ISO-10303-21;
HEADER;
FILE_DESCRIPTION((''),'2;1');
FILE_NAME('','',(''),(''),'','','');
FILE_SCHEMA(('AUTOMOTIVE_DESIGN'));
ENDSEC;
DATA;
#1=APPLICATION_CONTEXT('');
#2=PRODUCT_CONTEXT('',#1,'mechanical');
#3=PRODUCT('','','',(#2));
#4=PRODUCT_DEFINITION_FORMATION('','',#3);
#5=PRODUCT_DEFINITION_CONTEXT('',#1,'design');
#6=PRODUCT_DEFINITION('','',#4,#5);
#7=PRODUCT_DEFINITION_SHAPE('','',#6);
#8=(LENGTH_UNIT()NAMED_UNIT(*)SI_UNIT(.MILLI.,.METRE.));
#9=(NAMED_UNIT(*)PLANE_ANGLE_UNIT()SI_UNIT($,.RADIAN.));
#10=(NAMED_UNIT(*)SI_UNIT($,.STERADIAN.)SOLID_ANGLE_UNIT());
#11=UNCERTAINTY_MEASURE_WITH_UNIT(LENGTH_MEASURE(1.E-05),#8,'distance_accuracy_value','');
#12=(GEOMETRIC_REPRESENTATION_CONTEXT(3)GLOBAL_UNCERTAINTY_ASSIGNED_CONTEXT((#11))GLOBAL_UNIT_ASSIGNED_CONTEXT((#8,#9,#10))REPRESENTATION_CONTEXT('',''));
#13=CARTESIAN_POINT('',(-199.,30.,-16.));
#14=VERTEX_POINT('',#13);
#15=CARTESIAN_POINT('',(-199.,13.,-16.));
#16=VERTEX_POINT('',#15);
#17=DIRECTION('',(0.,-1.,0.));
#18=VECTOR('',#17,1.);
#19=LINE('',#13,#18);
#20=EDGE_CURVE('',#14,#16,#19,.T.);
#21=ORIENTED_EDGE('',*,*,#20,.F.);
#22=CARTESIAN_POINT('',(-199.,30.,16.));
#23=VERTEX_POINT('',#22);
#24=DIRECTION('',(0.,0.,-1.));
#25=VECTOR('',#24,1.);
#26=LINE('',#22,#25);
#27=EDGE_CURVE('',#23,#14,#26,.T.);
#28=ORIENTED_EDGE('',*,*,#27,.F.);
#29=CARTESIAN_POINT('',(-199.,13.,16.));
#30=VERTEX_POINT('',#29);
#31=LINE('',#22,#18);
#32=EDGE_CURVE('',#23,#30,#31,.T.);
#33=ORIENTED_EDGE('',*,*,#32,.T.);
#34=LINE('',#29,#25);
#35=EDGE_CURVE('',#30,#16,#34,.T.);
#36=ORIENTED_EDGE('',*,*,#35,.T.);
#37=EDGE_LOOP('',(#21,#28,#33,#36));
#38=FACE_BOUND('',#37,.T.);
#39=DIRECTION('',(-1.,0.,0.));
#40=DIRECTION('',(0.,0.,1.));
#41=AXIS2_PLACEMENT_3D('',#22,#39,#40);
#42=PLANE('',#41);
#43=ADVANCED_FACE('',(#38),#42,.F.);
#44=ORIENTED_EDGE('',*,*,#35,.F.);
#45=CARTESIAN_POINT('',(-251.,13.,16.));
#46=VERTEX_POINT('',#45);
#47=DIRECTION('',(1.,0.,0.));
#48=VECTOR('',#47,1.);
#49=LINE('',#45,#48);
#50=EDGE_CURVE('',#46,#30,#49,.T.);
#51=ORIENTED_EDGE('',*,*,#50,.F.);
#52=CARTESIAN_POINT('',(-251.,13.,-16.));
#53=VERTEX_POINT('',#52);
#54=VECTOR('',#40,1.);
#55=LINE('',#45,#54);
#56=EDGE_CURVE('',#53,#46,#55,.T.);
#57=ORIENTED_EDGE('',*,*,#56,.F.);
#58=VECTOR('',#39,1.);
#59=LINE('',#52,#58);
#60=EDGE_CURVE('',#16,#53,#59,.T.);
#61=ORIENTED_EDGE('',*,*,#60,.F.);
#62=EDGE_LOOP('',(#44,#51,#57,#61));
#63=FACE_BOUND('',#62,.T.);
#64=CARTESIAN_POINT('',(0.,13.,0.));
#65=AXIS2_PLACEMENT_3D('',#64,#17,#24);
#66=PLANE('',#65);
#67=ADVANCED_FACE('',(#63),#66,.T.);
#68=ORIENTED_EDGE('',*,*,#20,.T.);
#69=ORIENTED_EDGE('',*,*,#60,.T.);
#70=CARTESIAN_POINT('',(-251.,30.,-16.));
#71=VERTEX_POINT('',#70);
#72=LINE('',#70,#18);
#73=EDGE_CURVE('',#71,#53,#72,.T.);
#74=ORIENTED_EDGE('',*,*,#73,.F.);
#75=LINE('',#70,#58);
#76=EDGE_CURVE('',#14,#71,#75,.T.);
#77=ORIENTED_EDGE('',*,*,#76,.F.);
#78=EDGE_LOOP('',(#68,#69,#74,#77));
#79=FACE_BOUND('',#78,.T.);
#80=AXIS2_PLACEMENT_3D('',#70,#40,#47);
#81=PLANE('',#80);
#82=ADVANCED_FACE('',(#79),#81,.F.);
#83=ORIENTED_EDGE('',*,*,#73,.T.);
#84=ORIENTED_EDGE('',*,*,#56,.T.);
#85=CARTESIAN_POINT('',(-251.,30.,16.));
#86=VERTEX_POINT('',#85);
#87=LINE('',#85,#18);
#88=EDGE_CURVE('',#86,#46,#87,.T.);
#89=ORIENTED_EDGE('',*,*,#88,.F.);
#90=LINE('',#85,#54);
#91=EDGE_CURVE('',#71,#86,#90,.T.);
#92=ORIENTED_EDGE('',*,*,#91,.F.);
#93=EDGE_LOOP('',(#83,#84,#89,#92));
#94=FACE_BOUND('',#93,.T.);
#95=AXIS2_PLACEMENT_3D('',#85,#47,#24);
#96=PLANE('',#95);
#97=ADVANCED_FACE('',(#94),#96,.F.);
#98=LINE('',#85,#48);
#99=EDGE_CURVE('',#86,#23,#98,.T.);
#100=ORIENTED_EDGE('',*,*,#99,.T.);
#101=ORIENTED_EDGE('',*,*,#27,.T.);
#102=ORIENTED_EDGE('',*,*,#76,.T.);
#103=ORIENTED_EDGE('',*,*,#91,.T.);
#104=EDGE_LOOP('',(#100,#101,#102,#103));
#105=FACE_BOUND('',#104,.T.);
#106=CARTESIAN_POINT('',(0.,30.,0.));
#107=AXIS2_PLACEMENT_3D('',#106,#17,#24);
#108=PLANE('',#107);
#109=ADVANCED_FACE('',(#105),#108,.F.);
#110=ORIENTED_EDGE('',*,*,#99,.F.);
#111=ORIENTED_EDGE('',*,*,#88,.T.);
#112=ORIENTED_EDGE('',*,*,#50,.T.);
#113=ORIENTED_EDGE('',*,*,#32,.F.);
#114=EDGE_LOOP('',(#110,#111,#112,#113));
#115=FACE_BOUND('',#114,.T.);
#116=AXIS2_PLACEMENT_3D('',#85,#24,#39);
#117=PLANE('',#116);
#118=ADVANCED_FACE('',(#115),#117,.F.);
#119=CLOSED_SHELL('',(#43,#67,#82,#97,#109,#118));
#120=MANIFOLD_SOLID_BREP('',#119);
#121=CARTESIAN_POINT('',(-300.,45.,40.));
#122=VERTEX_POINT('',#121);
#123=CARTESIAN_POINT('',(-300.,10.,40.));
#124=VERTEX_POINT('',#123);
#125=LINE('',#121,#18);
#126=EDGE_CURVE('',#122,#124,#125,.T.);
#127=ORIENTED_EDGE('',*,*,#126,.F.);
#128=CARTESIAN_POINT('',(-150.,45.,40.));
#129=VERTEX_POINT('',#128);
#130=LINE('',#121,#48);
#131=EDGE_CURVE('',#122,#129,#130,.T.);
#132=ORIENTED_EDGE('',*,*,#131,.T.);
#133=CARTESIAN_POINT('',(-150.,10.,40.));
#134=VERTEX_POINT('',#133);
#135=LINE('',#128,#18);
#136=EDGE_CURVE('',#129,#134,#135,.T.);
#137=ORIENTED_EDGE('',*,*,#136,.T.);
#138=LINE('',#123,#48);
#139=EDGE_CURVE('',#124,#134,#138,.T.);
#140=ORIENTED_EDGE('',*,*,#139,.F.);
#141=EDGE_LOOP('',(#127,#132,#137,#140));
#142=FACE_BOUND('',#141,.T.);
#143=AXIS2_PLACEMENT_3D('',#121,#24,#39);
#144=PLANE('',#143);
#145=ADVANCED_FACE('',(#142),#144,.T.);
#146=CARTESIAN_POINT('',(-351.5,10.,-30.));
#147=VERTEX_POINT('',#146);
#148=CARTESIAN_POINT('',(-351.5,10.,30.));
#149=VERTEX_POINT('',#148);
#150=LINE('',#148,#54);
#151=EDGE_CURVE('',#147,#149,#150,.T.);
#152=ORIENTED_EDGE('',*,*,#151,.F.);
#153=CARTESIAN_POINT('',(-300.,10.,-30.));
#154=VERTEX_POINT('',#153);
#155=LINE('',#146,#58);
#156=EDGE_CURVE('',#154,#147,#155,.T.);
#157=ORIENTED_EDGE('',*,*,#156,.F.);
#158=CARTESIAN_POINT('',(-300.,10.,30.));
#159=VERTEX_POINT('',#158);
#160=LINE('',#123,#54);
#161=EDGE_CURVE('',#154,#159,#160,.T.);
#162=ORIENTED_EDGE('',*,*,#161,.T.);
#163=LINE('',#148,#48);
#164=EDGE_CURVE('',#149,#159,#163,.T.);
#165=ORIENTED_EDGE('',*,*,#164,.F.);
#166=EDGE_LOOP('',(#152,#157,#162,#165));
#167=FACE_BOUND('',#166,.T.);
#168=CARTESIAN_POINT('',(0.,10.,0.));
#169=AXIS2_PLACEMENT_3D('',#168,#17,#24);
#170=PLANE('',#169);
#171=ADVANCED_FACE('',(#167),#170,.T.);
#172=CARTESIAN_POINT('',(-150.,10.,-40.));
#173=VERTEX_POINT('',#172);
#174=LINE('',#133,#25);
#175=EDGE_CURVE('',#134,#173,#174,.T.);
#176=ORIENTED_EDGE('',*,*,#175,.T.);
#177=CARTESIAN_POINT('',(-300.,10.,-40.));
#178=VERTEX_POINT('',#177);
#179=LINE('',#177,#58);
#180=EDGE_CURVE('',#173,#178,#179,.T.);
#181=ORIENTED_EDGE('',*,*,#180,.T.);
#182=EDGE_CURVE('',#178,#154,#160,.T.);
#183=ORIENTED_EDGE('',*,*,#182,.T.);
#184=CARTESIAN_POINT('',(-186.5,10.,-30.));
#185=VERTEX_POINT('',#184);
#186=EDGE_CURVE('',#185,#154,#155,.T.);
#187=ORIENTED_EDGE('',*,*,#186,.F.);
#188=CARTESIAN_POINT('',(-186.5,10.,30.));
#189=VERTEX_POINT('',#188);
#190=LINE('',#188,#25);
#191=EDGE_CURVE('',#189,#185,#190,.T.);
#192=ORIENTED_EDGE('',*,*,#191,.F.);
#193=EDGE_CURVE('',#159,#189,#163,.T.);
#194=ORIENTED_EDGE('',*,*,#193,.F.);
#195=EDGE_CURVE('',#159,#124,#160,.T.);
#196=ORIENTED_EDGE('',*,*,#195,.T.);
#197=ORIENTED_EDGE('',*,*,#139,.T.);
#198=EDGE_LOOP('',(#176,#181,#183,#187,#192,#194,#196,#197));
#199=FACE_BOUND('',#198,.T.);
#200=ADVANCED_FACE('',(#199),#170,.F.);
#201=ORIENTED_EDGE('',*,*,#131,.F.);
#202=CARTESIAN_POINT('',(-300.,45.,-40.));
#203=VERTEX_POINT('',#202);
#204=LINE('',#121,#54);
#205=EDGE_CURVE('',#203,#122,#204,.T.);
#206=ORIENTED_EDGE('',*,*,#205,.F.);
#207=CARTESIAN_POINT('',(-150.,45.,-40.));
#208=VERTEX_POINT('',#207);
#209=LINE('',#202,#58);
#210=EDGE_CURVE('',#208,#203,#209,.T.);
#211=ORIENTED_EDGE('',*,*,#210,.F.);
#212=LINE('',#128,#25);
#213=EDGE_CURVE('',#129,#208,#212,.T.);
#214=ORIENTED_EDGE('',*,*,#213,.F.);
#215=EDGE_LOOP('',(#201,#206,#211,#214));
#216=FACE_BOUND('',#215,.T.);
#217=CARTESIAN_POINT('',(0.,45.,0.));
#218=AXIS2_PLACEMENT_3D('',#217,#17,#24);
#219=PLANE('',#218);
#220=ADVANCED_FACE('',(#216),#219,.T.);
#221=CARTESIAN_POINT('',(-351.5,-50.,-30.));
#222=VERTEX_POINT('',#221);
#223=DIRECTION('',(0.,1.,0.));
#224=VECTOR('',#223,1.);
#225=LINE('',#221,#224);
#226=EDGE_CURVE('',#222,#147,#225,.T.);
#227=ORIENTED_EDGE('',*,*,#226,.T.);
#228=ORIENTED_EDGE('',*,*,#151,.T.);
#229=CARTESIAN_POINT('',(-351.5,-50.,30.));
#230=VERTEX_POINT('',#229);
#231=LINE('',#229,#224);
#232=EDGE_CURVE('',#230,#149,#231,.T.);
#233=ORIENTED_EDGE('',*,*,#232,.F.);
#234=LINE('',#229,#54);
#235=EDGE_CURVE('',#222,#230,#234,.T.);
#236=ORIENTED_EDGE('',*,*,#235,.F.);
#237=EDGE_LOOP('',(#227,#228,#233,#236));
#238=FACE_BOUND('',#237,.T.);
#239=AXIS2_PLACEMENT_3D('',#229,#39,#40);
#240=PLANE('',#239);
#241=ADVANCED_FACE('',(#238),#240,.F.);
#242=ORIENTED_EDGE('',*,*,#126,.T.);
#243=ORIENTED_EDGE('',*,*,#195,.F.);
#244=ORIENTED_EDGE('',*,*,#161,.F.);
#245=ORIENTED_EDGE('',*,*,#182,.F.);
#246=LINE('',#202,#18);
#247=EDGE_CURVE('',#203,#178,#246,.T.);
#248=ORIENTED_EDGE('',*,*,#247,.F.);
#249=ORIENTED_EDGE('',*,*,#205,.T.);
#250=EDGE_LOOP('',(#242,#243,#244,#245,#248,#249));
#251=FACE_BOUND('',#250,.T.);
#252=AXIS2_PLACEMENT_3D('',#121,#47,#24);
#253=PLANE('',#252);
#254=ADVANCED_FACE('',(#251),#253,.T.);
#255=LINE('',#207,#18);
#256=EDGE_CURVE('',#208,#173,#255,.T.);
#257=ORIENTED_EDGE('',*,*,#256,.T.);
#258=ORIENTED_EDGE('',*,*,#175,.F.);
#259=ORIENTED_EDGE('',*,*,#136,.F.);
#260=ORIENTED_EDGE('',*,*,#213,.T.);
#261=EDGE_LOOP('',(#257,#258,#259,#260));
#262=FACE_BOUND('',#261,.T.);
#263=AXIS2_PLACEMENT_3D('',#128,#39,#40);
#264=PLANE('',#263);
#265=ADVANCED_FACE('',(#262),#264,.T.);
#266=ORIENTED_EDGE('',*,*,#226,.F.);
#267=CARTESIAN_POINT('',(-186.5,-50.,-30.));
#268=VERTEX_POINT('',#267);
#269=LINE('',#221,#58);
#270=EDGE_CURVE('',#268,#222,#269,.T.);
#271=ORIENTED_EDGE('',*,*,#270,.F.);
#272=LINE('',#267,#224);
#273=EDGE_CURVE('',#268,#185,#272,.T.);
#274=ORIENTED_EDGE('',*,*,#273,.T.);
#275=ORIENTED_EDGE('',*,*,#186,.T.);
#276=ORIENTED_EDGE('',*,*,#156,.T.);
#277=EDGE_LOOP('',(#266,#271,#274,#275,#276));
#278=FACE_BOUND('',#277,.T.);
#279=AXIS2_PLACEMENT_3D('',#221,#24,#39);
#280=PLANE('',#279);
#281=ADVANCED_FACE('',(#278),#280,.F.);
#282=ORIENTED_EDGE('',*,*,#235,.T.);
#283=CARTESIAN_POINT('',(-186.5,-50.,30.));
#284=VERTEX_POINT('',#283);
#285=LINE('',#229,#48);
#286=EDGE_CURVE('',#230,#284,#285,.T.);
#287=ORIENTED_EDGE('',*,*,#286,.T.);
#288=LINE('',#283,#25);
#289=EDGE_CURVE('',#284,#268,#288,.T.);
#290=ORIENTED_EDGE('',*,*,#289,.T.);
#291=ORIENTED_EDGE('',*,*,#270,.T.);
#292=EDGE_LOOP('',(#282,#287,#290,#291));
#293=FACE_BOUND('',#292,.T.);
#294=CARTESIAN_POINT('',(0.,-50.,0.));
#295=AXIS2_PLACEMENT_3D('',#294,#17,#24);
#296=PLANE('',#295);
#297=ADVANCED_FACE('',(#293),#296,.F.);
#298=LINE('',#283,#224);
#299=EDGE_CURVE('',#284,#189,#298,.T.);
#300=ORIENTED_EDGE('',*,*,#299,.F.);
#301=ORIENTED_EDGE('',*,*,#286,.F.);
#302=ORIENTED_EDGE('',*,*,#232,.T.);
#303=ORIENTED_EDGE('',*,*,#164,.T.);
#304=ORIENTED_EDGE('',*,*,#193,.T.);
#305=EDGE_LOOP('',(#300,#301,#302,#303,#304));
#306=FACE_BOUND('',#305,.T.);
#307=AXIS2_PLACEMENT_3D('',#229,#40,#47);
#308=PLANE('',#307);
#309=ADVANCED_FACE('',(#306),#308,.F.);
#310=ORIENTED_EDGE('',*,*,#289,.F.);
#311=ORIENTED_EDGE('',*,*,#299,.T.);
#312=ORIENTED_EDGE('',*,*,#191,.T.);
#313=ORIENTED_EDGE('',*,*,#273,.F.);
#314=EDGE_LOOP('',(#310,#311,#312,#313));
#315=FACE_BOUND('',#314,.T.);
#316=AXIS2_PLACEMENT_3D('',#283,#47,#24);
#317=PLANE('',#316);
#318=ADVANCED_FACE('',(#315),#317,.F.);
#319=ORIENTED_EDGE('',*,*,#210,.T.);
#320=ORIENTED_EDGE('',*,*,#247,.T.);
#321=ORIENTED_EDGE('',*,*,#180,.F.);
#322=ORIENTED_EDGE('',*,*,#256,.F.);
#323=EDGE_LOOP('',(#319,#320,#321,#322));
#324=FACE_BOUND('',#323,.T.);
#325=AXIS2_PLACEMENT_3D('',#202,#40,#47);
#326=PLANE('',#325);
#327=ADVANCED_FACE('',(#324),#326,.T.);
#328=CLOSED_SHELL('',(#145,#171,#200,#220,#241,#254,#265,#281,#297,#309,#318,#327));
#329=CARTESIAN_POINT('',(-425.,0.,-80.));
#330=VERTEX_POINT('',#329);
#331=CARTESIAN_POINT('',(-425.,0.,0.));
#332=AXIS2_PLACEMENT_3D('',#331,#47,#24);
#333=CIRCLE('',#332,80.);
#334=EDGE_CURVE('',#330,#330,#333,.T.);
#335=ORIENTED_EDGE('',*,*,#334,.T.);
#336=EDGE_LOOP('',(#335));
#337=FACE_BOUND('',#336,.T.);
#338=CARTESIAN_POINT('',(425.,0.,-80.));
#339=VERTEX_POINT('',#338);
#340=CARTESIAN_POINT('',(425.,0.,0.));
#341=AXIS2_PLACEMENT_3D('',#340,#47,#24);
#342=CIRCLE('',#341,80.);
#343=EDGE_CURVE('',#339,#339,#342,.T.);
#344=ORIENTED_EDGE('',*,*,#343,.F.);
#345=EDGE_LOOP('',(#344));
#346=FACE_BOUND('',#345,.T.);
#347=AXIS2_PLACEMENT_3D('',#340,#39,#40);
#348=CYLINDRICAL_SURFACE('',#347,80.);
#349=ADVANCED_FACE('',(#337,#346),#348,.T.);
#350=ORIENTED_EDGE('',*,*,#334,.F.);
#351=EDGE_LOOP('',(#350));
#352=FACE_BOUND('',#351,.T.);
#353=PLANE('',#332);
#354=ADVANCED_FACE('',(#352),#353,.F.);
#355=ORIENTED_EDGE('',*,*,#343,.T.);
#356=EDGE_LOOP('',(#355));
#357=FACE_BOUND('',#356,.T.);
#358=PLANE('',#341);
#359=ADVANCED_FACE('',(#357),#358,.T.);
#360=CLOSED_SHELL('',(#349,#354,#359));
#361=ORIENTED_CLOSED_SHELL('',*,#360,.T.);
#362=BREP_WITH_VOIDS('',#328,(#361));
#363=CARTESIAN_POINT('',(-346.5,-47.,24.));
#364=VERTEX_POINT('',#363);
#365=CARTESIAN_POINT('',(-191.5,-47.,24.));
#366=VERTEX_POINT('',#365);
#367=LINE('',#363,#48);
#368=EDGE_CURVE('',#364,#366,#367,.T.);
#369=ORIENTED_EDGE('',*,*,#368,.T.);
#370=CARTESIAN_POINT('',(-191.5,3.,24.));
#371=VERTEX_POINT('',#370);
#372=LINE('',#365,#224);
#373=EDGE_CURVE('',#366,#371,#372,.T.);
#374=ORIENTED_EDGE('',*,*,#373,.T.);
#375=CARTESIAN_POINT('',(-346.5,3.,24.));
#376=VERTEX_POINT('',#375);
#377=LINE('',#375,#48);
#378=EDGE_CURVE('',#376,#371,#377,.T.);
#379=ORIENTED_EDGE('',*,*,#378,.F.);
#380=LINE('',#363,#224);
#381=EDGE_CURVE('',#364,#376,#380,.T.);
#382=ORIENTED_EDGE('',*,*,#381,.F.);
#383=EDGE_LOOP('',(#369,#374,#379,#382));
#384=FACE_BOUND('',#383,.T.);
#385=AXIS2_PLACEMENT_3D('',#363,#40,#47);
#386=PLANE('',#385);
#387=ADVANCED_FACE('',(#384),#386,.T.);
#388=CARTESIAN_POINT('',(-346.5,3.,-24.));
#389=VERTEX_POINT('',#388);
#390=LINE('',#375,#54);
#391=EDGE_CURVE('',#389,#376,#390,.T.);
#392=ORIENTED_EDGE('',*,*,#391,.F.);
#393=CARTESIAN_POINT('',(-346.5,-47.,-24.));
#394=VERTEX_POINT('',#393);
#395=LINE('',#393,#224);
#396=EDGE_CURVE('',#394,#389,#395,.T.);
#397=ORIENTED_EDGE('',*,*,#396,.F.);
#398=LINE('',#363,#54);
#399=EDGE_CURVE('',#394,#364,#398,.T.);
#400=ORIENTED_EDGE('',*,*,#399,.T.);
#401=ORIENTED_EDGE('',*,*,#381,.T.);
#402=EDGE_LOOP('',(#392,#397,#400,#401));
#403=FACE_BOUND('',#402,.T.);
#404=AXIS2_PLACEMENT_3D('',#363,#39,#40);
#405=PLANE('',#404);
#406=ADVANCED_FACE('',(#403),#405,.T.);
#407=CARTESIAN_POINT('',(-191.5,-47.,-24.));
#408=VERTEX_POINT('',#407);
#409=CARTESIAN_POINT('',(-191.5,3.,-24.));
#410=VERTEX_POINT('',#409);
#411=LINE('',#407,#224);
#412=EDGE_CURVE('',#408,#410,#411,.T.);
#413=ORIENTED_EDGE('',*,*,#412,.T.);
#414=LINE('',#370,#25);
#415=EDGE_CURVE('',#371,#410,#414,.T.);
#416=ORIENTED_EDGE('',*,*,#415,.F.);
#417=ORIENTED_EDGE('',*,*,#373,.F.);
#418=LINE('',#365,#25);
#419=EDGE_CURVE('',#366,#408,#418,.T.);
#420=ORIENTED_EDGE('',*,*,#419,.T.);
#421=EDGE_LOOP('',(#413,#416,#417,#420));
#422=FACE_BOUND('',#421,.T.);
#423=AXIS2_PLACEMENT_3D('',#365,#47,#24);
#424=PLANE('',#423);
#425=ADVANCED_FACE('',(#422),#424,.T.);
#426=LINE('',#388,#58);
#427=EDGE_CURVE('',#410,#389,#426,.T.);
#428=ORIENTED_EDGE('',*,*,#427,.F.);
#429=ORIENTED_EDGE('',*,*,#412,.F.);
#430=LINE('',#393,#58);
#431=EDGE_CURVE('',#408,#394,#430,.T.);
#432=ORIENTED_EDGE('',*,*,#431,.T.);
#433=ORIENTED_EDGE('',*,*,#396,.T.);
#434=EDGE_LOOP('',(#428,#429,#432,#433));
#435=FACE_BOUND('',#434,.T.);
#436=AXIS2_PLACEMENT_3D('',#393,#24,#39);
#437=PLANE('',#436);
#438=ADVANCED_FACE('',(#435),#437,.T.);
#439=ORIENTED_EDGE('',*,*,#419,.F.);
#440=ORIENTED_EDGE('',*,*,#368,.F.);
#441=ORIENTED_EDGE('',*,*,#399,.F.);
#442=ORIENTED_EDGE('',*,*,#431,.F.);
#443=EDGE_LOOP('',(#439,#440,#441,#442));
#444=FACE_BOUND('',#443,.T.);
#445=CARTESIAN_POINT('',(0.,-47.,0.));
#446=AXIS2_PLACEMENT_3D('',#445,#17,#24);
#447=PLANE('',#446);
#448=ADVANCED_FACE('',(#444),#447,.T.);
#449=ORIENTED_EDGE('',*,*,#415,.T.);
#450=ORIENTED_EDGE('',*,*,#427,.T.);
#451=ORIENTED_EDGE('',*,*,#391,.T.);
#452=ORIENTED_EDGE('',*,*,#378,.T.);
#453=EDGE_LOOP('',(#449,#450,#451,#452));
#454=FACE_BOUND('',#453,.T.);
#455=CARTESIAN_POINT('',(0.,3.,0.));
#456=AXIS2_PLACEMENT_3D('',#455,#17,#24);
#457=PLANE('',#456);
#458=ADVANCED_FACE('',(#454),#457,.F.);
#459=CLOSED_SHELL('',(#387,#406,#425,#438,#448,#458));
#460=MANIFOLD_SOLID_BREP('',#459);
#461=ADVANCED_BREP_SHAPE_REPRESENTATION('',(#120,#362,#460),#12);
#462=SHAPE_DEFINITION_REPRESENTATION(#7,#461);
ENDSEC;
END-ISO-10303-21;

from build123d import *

# Parameters (mm, degrees)
SKETCH1_R          = 80
FOAMBODY_DEPTH     = 425
BATTERY_START      = 10
SKETCH2_W          = 165
SKETCH2_H          = 60
BATTERY_BAY_DEPTH  = 60
FOAM_START         = 10
SKETCH3_W          = 150
SKETCH3_H          = 80
FOAM_DEPTH         = 35
BATTERY_DEPTH      = 3
BATTERY_DEPTH_BACK = 47
SKETCH4_W          = 155
SKETCH4_H          = 48
FC_START           = 13
SKETCH5_W          = 52
SKETCH5_H          = 32
FC_DEPTH           = 17


with BuildPart() as part:
    # Sketch1 → FoamBody (new, symmetric)
    with BuildSketch(Plane(origin=(0, 0, 0), x_dir=(0, 0, -1), z_dir=(1, 0, 0))):
        Circle(SKETCH1_R)
    extrude(amount=FOAMBODY_DEPTH, both=True)

    # Sketch2 → battery bay (cut)
    with BuildSketch(Plane(origin=(0, 0, 0), x_dir=(1, 0, 0), z_dir=(0, 1, 0)).offset(BATTERY_START)):
        with Locations((-269, 0)):
            Rectangle(SKETCH2_W, SKETCH2_H)
    extrude(amount=-BATTERY_BAY_DEPTH, mode=Mode.SUBTRACT)

    # Sketch3 → Foam (cut)
    with BuildSketch(Plane(origin=(0, 0, 0), x_dir=(1, 0, 0), z_dir=(0, 1, 0)).offset(FOAM_START)):
        with Locations((-225, 0)):
            Rectangle(SKETCH3_W, SKETCH3_H)
    extrude(amount=FOAM_DEPTH, mode=Mode.SUBTRACT)


with BuildPart() as body_2:
    # Sketch4 → Battery (new, two sides: drawn at the far end of the back side and taken through both)
    with BuildSketch(Plane(origin=(0, 0, 0), x_dir=(1, 0, 0), z_dir=(0, 1, 0)).offset(-BATTERY_DEPTH_BACK)):
        with Locations((-269, 0)):
            Rectangle(SKETCH4_W, SKETCH4_H)
    extrude(amount=BATTERY_DEPTH + BATTERY_DEPTH_BACK)


with BuildPart() as body_3:
    # Sketch5 → FC (new body)
    with BuildSketch(Plane(origin=(0, 0, 0), x_dir=(1, 0, 0), z_dir=(0, 1, 0)).offset(FC_START)):
        with Locations((-225, 0)):
            Rectangle(SKETCH5_W, SKETCH5_H)
    extrude(amount=FC_DEPTH)


solid = Compound([part.part, body_2.part, body_3.part])
